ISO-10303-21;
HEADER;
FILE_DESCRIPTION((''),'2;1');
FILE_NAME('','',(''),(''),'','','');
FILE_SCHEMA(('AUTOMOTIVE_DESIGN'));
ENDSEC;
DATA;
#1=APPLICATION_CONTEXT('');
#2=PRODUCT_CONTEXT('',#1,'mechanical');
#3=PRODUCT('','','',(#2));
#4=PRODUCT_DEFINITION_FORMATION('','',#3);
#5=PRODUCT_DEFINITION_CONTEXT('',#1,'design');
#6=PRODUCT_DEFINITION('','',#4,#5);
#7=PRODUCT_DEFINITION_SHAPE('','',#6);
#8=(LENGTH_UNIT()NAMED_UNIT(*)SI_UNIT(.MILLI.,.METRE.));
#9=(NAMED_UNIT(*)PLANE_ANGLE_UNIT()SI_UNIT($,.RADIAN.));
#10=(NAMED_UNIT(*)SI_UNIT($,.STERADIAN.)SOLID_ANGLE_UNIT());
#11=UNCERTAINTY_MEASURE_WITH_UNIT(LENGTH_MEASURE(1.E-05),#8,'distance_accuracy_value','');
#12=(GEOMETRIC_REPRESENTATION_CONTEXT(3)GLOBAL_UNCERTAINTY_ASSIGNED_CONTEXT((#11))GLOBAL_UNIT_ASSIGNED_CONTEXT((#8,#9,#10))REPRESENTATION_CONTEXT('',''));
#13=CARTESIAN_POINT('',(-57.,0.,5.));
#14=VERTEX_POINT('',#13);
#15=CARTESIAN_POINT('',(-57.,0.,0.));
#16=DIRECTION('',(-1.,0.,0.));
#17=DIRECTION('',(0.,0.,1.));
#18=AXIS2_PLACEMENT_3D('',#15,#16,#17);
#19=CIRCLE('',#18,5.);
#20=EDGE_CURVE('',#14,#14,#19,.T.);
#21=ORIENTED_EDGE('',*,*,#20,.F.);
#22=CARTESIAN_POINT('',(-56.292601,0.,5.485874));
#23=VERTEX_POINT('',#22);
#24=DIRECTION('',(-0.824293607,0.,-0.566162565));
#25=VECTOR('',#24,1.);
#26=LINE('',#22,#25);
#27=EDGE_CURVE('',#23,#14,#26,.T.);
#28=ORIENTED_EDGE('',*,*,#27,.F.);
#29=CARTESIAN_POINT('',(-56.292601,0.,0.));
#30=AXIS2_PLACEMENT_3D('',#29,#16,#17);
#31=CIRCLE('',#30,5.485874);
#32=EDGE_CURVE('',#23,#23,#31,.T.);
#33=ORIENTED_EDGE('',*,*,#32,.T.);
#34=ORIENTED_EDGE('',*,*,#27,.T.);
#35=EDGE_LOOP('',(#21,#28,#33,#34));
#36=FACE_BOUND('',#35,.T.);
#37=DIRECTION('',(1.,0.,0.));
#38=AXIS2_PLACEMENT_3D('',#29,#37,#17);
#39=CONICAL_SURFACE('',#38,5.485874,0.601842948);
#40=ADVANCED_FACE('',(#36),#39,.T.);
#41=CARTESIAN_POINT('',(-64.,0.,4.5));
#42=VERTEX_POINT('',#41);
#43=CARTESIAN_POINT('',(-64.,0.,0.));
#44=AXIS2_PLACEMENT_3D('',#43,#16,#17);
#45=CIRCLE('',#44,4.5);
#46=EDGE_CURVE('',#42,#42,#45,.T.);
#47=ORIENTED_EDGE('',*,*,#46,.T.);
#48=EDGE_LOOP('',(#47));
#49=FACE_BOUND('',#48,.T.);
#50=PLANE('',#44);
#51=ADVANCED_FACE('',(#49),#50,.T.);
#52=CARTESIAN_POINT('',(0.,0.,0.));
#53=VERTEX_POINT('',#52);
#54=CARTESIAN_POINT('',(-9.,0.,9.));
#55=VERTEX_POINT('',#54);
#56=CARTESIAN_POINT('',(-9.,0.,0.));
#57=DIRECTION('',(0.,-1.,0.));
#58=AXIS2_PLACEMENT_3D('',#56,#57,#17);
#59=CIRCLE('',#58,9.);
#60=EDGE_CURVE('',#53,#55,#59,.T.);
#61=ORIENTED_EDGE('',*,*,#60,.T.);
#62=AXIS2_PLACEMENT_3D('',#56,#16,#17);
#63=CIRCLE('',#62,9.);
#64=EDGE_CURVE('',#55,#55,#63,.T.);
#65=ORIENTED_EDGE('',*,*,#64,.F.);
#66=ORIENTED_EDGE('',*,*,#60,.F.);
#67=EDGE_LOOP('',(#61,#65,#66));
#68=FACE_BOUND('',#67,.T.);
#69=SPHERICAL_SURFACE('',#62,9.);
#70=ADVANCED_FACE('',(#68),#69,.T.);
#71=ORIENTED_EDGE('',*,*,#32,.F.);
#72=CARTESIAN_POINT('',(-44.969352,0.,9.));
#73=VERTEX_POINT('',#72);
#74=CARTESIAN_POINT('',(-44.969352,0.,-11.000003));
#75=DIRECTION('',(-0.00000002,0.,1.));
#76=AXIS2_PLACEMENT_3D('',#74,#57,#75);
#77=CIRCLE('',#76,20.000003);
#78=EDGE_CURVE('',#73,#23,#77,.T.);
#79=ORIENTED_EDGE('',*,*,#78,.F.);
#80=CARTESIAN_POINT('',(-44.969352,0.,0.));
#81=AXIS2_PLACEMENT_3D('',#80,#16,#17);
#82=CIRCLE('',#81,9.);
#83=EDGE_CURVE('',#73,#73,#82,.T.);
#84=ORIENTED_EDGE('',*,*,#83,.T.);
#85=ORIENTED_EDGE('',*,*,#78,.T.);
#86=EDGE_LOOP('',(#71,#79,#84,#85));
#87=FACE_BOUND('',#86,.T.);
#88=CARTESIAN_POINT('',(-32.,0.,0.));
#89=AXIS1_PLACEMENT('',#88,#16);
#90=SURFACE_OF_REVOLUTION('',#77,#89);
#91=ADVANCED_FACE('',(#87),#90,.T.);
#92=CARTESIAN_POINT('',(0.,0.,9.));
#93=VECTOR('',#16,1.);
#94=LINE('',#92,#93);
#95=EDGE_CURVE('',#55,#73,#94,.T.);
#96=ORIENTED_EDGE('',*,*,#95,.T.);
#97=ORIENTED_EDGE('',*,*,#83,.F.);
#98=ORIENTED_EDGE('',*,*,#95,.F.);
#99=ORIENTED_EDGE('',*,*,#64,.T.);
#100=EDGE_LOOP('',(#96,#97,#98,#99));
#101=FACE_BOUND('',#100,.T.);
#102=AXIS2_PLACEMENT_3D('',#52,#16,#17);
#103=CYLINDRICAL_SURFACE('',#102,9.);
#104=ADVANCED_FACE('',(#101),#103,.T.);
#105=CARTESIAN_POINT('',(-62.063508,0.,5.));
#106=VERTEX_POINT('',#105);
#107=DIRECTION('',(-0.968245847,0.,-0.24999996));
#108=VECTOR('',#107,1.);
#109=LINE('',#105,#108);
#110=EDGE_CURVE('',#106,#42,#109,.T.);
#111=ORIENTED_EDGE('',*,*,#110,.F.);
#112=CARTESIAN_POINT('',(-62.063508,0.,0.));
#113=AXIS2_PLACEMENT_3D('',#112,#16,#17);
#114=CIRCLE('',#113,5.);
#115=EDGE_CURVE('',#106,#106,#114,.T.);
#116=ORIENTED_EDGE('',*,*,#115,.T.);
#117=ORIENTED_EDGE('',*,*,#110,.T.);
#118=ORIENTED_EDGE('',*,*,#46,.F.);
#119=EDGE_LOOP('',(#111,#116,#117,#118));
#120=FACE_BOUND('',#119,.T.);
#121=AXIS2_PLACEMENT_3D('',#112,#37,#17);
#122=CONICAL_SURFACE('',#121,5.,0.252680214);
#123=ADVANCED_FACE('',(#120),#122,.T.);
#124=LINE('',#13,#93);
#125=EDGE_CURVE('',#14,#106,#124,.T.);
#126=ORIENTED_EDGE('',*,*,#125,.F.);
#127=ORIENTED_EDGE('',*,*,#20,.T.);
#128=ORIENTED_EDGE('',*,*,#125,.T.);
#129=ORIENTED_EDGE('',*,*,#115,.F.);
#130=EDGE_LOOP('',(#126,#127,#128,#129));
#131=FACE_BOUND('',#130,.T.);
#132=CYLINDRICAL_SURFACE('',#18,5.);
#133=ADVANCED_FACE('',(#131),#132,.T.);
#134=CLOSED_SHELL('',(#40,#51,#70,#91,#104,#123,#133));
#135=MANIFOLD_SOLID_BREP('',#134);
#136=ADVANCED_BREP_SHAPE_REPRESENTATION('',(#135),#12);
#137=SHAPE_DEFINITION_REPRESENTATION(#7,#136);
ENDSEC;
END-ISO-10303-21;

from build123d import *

# Parameters (mm, degrees)
F2_R = 9


with BuildPart() as f1:
    # F0 (on Front) → F1 (revolve)
    with BuildSketch(Plane.XZ):
        with BuildLine():
            Line((-64, 0), (0, 0))
            Line((0, 0), (0, 9))
            Line((0, 9), (-44.969352, 9))
            ThreePointArc((-44.969352, 9), (-50.897358, 8.101276), (-56.292601, 5.485874))
            Line((-56.292601, 5.485874), (-57, 5))
            Line((-57, 5), (-62.063508, 5))
            Line((-62.063508, 5), (-64, 4.5))
            Line((-64, 4.5), (-64, 0))
        make_face()
    revolve(axis=Axis((-32, 0, 0), (-1, 0, 0)))

    # F2
    f2_edges = [f1.edges().sort_by_distance(p)[0] for p in [
        (0, 0, -9),
        (-44.969352, 0, -9),
        (-22.484676, 0, 9),
    ]]
    fillet(f2_edges, radius=F2_R)


solid = f1.part
